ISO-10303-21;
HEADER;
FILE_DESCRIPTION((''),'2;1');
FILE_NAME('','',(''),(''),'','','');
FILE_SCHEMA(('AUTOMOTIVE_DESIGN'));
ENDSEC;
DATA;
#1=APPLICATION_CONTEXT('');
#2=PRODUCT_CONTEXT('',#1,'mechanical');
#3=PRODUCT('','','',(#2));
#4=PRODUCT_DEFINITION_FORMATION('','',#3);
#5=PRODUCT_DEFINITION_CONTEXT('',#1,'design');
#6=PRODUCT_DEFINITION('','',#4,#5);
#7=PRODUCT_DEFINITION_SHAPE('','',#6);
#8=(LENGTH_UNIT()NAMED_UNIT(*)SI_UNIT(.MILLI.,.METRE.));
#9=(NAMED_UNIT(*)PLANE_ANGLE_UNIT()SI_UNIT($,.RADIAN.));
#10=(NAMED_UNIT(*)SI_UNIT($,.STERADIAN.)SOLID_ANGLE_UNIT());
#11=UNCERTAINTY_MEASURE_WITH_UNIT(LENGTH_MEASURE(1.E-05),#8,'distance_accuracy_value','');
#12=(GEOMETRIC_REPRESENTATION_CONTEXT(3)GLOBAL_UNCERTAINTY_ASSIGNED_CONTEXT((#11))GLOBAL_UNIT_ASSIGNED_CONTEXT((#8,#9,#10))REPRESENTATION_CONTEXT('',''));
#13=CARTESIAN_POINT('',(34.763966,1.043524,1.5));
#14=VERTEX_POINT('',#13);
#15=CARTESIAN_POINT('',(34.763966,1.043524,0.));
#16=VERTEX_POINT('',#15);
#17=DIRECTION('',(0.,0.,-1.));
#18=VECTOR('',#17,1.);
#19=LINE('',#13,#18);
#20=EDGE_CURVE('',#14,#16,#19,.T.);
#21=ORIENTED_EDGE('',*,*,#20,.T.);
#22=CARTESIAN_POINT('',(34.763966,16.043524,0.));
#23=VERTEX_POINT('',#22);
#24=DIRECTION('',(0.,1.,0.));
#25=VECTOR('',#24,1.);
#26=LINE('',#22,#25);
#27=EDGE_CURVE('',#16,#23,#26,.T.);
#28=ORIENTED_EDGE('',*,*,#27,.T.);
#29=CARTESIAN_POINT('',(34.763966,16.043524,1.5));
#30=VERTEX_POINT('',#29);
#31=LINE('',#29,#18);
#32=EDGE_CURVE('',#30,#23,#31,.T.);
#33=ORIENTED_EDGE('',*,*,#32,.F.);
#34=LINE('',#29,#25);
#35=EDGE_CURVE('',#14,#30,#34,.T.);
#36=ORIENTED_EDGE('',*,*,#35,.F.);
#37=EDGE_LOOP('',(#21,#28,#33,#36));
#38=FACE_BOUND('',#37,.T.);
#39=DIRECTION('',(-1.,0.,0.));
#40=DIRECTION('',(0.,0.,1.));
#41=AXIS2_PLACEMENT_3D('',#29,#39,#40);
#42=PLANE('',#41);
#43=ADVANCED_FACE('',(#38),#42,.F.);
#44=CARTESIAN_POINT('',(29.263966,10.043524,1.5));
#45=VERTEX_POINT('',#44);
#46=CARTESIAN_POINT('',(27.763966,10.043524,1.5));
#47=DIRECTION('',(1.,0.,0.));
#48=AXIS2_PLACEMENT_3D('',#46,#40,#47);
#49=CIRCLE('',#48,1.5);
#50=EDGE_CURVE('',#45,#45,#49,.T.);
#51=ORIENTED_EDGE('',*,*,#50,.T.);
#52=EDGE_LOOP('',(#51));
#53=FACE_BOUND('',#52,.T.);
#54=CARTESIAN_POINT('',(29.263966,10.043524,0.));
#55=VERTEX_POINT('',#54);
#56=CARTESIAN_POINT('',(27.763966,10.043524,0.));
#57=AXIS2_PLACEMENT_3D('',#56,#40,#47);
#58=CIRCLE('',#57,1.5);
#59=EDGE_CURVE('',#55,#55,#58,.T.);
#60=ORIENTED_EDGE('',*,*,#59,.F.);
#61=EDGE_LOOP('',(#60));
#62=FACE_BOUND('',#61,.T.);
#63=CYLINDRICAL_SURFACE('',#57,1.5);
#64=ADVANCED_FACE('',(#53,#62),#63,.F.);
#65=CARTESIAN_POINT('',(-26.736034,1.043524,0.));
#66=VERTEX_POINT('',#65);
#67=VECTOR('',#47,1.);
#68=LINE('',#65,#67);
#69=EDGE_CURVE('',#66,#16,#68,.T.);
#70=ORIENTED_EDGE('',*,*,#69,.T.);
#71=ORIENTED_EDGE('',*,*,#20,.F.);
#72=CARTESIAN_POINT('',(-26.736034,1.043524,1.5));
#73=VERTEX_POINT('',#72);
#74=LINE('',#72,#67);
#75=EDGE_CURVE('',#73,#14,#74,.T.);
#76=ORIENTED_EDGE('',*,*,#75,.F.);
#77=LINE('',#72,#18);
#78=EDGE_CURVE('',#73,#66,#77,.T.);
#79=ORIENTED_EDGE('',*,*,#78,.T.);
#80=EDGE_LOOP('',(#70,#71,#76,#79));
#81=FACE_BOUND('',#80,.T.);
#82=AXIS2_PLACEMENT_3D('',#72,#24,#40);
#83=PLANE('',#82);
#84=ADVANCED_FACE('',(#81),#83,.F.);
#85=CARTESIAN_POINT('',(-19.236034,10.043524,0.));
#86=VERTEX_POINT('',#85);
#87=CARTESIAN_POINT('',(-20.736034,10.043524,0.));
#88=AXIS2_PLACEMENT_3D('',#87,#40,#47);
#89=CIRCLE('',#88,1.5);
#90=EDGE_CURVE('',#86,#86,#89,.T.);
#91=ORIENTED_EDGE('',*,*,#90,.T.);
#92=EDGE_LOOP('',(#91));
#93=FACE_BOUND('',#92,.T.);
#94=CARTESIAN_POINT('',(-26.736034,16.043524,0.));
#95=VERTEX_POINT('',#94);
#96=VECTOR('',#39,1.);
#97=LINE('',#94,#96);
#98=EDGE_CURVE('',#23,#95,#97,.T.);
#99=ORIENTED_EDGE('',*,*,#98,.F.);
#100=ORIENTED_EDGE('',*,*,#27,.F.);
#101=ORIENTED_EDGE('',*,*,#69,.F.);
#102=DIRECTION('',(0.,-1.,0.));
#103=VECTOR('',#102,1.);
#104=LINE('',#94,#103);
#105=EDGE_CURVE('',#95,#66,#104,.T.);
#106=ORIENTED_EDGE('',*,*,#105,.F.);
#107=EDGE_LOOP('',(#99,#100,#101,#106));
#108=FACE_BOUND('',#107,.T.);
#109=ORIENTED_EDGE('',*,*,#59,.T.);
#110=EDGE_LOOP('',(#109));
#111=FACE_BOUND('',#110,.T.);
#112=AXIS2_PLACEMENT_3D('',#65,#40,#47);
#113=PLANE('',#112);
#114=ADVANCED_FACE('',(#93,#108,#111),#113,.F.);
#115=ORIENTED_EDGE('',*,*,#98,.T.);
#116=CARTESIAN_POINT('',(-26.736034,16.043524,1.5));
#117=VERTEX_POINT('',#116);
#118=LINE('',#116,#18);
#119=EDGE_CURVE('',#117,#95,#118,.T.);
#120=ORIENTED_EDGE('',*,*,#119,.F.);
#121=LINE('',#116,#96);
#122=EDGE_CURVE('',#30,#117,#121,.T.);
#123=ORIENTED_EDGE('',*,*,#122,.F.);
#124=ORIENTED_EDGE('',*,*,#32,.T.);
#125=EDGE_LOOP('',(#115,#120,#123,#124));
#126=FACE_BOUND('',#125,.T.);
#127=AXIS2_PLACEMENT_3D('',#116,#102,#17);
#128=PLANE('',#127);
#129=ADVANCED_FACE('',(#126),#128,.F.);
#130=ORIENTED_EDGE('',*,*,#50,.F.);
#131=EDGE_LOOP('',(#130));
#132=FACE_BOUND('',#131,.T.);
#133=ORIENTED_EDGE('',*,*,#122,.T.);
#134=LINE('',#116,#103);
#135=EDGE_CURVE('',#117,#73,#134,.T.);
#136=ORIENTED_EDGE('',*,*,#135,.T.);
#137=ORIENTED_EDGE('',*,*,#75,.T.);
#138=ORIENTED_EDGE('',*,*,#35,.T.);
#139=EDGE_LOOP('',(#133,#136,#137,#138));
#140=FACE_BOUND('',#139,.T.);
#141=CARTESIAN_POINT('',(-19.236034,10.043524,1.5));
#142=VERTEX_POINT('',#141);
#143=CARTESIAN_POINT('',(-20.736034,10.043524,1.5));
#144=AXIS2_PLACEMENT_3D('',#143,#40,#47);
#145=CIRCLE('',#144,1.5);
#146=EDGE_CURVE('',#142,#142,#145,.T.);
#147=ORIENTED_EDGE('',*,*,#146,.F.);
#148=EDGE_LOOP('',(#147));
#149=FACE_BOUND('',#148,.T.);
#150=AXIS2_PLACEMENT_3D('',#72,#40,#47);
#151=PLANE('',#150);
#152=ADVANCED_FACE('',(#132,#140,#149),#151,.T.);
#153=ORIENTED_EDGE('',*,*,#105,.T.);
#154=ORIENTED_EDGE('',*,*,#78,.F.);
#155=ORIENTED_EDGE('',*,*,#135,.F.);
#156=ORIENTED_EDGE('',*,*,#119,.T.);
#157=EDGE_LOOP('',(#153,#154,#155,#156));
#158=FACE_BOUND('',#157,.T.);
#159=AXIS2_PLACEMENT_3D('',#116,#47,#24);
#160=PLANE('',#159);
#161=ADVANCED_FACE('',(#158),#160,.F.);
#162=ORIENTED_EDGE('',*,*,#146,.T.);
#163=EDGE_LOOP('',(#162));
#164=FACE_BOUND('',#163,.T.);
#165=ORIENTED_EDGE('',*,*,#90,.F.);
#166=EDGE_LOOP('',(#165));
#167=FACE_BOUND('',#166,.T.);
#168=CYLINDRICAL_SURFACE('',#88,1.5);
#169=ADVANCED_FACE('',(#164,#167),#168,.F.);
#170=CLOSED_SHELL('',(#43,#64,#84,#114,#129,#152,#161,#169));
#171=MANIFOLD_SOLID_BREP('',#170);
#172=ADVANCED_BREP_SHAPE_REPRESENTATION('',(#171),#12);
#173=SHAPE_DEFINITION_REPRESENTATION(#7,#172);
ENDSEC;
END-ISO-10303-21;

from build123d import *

# Parameters (mm, degrees)
ESQUISSE1_W      = 61.5
ESQUISSE1_H      = 15
EXTRUSION1_DEPTH = 1.5
ESQUISSE2_R      = 1.5
EXTRUSION2_DEPTH = 1.5


with BuildPart() as part:
    # Esquisse1 → Extrusion1 (new body)
    with BuildSketch(Plane.XY):
        with Locations((4.013966433, 8.543524416)):
            Rectangle(ESQUISSE1_W, ESQUISSE1_H)
    extrude(amount=EXTRUSION1_DEPTH)

    # Esquisse2 → Extrusion2 (cut)
    with BuildSketch(Plane.XY.offset(1.5)):
        with Locations((-20.736033567, 10.043524416)):
            Circle(ESQUISSE2_R)
        with Locations((27.763966433, 10.043524416)):
            Circle(ESQUISSE2_R)
    extrude(amount=-EXTRUSION2_DEPTH, mode=Mode.SUBTRACT)


solid = part.part
